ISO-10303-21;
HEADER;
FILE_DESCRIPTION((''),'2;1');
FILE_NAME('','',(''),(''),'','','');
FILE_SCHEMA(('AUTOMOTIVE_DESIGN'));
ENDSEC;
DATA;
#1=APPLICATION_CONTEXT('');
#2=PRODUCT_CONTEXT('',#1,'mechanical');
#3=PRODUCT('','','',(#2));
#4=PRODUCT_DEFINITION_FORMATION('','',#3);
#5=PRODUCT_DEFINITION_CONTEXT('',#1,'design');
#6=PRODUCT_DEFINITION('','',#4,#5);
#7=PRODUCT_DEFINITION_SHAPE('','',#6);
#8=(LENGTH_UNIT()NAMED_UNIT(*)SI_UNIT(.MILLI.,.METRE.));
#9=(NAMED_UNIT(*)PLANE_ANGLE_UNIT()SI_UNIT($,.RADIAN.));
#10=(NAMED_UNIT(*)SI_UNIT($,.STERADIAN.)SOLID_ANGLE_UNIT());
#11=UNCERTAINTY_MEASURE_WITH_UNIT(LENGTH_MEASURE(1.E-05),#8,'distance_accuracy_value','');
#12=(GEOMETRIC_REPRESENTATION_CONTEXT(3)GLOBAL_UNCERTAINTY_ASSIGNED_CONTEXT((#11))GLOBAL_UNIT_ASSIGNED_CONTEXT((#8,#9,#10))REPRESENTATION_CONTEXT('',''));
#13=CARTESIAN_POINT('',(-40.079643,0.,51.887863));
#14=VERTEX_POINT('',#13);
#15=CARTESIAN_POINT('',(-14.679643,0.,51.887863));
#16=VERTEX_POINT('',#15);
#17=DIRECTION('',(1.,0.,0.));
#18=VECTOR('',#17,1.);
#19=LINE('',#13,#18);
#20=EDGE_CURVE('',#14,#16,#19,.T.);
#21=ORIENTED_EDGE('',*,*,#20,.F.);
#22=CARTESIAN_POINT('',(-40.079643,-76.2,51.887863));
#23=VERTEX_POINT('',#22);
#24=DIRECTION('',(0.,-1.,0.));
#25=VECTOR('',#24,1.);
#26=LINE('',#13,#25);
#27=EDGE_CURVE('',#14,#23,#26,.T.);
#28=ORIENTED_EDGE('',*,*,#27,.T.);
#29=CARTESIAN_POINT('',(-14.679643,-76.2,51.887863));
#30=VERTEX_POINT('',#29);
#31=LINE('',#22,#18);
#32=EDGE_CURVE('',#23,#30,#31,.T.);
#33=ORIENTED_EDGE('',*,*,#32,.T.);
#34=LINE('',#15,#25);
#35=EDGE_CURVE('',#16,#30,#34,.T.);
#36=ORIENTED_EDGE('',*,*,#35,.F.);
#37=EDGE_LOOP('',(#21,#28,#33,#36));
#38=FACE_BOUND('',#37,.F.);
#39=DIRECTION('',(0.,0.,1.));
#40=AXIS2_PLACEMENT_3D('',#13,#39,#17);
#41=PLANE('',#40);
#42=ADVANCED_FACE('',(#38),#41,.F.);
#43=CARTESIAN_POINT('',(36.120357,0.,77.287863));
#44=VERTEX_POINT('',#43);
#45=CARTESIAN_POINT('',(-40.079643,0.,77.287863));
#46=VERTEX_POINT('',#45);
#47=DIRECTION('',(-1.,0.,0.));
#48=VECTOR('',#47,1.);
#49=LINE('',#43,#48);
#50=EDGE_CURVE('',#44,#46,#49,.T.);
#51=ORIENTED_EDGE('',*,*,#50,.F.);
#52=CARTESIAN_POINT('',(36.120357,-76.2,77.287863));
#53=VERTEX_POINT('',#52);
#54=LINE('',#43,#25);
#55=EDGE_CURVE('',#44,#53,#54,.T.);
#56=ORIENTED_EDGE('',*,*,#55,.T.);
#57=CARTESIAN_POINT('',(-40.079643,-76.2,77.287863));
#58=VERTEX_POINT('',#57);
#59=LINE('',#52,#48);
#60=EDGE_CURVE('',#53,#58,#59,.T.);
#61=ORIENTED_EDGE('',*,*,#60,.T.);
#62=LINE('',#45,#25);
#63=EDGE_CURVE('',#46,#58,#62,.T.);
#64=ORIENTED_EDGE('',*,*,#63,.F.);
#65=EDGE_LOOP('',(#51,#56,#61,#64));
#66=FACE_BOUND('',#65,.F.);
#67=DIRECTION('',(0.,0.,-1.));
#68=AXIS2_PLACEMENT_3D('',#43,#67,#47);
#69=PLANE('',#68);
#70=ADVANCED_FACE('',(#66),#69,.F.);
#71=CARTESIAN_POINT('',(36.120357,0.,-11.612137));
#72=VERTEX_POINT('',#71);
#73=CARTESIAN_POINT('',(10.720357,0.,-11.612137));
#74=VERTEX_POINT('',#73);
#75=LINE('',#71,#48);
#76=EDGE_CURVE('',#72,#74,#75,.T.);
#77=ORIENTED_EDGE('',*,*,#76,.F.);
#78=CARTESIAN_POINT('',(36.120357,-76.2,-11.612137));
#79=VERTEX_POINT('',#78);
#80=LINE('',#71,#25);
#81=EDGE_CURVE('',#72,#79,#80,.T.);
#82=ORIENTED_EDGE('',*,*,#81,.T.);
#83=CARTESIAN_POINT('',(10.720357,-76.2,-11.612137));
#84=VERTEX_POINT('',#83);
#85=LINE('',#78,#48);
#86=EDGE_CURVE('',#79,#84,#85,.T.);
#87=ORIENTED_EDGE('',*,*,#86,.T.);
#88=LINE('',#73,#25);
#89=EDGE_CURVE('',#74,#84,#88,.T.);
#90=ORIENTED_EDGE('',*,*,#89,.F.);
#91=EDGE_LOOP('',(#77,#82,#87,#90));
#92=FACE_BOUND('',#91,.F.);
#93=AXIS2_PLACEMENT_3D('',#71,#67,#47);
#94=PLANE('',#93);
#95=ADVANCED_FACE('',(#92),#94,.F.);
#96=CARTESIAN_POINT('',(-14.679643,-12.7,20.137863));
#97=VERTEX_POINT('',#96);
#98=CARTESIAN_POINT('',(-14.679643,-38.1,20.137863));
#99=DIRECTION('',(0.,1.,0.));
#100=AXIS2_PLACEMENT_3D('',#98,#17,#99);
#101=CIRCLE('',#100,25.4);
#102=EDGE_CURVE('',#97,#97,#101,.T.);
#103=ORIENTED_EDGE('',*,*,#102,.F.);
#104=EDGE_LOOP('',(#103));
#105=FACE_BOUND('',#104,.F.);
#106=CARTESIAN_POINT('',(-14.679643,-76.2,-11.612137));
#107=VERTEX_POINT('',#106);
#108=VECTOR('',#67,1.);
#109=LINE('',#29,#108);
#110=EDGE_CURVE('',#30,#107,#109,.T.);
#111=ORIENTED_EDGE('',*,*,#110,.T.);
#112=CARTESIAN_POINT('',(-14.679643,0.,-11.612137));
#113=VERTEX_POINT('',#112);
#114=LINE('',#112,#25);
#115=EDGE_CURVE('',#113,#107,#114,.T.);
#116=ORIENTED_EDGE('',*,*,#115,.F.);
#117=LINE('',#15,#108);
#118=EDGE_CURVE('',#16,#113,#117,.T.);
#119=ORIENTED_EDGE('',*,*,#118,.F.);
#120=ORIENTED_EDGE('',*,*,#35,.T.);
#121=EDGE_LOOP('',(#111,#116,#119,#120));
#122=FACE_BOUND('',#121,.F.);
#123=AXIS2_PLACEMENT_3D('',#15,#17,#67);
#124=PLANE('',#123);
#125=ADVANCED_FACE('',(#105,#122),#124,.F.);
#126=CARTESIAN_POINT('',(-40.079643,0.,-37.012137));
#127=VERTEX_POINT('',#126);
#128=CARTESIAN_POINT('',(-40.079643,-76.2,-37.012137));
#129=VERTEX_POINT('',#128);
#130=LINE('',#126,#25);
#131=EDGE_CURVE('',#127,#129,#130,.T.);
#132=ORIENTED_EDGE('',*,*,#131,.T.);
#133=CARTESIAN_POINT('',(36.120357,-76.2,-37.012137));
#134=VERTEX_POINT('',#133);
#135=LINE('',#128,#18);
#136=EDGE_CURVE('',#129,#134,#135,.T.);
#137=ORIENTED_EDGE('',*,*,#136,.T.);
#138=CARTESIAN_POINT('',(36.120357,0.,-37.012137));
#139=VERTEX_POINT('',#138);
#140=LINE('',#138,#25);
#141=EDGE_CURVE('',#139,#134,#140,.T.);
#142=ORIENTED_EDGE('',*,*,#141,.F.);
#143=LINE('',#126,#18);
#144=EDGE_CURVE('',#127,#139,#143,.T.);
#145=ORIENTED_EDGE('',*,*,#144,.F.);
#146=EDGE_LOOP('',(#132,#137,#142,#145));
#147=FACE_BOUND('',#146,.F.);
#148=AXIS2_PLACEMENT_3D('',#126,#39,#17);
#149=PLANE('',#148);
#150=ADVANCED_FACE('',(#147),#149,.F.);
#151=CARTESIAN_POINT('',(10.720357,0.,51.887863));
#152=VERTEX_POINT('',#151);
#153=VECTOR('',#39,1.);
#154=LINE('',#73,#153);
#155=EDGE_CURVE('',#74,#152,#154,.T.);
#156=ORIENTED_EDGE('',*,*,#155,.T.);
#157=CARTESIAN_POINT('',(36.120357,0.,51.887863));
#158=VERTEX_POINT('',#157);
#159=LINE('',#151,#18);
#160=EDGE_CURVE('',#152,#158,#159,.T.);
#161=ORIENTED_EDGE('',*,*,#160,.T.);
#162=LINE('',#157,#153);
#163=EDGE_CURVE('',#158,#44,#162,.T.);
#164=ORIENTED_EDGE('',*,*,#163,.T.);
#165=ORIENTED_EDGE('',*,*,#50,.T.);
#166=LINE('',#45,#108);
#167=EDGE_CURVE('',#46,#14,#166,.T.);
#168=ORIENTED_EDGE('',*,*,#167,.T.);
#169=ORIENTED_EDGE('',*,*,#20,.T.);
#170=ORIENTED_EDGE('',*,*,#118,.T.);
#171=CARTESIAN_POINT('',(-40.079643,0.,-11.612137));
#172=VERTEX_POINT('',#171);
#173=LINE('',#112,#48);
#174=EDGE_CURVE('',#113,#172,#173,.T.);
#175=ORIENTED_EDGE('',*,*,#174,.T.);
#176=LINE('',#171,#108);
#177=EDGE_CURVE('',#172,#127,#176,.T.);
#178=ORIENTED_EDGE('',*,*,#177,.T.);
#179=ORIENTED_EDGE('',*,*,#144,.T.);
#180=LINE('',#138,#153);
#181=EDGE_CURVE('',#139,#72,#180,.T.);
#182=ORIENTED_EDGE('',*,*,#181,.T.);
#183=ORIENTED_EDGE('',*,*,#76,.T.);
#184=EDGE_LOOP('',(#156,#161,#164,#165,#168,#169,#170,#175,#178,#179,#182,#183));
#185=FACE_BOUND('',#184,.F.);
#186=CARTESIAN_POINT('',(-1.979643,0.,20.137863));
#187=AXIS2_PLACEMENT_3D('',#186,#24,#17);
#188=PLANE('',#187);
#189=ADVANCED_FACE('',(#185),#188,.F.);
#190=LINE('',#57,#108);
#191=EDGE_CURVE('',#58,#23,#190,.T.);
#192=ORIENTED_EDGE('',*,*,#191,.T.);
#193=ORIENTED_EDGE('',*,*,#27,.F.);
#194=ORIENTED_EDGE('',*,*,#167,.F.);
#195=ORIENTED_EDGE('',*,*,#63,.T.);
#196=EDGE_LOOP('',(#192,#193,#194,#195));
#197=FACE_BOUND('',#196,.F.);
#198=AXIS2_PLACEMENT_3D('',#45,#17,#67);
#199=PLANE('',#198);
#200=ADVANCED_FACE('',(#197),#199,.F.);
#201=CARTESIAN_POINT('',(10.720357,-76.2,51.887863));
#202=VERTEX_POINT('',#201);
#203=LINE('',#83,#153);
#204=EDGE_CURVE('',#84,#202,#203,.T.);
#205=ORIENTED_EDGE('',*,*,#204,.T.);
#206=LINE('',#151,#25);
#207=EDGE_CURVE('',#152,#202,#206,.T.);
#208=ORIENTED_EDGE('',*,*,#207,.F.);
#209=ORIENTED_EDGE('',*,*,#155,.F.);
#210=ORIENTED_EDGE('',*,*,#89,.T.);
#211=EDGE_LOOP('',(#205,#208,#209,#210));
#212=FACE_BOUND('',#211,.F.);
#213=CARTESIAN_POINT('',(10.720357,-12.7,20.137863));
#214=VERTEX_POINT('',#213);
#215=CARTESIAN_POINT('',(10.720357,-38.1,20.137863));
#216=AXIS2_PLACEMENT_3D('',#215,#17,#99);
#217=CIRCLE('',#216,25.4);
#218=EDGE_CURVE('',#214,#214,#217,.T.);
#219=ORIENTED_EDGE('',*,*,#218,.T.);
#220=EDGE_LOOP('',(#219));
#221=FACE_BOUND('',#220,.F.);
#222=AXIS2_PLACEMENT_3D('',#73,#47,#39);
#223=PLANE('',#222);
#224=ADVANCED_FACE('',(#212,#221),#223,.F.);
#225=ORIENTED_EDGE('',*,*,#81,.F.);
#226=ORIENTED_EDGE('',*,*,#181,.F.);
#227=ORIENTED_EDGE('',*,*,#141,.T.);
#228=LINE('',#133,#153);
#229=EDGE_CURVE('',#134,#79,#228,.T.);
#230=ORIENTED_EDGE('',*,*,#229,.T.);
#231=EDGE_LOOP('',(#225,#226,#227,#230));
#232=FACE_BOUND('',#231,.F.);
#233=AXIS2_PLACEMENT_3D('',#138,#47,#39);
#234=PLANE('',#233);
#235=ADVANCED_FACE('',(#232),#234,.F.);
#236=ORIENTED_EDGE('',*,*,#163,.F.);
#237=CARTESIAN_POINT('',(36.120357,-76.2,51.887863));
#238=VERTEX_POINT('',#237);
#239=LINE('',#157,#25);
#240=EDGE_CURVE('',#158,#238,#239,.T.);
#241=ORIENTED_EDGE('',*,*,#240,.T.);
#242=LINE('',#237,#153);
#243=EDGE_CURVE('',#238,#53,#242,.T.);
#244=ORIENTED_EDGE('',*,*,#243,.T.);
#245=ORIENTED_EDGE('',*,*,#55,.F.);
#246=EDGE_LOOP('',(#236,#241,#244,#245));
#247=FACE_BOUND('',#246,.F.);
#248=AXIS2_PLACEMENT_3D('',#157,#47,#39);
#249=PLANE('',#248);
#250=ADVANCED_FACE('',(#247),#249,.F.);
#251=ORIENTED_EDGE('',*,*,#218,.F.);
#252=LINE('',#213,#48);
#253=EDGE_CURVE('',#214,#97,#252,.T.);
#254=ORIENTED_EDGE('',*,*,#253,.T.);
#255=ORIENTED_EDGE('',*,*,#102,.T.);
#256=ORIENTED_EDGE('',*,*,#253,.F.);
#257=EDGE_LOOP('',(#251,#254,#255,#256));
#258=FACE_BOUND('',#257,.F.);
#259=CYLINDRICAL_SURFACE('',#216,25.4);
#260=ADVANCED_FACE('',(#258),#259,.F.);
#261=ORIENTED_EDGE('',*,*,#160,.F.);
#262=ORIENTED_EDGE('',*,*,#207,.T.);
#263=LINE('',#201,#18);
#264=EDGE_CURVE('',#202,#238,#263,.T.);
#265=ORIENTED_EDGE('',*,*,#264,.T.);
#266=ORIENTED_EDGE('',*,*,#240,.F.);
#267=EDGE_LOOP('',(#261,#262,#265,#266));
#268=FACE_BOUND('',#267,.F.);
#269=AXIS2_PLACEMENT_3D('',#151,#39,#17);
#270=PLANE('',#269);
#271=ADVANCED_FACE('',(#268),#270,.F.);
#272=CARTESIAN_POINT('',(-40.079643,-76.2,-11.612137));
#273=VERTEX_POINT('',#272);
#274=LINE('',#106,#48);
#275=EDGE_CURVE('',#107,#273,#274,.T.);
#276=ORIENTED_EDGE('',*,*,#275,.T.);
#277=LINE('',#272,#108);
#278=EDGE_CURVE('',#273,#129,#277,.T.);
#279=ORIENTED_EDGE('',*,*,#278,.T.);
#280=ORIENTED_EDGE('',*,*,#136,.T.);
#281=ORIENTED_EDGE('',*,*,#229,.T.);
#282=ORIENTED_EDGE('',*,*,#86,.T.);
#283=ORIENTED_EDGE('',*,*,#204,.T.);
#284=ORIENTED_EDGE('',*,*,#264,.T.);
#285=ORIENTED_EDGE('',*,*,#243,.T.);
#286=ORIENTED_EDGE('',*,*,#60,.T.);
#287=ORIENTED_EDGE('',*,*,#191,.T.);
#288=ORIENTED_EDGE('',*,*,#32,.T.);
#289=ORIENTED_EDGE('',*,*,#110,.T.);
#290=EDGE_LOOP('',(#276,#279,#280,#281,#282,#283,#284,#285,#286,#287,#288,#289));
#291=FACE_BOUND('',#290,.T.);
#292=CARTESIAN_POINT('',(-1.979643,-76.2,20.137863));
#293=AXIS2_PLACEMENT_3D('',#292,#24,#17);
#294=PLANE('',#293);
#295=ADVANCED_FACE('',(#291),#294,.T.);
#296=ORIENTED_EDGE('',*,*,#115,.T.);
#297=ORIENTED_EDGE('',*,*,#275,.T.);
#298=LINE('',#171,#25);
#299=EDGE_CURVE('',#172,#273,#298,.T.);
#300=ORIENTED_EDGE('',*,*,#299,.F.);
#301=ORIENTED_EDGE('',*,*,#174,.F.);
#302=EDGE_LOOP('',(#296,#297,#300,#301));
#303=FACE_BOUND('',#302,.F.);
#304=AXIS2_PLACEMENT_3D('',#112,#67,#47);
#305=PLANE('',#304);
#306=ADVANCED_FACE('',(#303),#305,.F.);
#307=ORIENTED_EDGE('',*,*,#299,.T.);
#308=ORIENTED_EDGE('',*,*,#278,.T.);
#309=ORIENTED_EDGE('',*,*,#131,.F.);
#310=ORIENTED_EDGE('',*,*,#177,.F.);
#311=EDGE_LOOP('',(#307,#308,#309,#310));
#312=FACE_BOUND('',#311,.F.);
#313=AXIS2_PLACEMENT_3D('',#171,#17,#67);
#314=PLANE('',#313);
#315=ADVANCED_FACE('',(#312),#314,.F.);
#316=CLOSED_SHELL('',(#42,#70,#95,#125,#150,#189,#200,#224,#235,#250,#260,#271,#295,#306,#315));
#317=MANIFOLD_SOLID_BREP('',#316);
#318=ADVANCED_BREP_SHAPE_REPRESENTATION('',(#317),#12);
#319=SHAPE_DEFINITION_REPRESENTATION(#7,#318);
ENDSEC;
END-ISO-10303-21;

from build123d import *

# Parameters (mm, degrees)
F1_DEPTH = 76.2
F2_R     = 25.4
F3_DEPTH = 25.4


with BuildPart() as f1:
    # F0 (on Front) → F1 (new body)
    with BuildSketch(Plane.XZ):
        Polygon((-40.079643, -11.612137), (-40.079643, -37.012137), (36.120357, -37.012137), (36.120357, -11.612137), (10.720357, -11.612137), (10.720357, 51.887863), (36.120357, 51.887863), (36.120357, 77.287863), (-40.079643, 77.287863), (-40.079643, 51.887863), (-14.679643, 51.887863), (-14.679643, -11.612137), align=None)
    extrude(amount=F1_DEPTH)

    # F2 (on face) → F3 (cut)
    with BuildSketch(Plane.YZ.offset(10.720357)):
        with Locations((-38.1, 20.137863)):
            Circle(F2_R)
    extrude(amount=-F3_DEPTH, mode=Mode.SUBTRACT)


solid = f1.part
